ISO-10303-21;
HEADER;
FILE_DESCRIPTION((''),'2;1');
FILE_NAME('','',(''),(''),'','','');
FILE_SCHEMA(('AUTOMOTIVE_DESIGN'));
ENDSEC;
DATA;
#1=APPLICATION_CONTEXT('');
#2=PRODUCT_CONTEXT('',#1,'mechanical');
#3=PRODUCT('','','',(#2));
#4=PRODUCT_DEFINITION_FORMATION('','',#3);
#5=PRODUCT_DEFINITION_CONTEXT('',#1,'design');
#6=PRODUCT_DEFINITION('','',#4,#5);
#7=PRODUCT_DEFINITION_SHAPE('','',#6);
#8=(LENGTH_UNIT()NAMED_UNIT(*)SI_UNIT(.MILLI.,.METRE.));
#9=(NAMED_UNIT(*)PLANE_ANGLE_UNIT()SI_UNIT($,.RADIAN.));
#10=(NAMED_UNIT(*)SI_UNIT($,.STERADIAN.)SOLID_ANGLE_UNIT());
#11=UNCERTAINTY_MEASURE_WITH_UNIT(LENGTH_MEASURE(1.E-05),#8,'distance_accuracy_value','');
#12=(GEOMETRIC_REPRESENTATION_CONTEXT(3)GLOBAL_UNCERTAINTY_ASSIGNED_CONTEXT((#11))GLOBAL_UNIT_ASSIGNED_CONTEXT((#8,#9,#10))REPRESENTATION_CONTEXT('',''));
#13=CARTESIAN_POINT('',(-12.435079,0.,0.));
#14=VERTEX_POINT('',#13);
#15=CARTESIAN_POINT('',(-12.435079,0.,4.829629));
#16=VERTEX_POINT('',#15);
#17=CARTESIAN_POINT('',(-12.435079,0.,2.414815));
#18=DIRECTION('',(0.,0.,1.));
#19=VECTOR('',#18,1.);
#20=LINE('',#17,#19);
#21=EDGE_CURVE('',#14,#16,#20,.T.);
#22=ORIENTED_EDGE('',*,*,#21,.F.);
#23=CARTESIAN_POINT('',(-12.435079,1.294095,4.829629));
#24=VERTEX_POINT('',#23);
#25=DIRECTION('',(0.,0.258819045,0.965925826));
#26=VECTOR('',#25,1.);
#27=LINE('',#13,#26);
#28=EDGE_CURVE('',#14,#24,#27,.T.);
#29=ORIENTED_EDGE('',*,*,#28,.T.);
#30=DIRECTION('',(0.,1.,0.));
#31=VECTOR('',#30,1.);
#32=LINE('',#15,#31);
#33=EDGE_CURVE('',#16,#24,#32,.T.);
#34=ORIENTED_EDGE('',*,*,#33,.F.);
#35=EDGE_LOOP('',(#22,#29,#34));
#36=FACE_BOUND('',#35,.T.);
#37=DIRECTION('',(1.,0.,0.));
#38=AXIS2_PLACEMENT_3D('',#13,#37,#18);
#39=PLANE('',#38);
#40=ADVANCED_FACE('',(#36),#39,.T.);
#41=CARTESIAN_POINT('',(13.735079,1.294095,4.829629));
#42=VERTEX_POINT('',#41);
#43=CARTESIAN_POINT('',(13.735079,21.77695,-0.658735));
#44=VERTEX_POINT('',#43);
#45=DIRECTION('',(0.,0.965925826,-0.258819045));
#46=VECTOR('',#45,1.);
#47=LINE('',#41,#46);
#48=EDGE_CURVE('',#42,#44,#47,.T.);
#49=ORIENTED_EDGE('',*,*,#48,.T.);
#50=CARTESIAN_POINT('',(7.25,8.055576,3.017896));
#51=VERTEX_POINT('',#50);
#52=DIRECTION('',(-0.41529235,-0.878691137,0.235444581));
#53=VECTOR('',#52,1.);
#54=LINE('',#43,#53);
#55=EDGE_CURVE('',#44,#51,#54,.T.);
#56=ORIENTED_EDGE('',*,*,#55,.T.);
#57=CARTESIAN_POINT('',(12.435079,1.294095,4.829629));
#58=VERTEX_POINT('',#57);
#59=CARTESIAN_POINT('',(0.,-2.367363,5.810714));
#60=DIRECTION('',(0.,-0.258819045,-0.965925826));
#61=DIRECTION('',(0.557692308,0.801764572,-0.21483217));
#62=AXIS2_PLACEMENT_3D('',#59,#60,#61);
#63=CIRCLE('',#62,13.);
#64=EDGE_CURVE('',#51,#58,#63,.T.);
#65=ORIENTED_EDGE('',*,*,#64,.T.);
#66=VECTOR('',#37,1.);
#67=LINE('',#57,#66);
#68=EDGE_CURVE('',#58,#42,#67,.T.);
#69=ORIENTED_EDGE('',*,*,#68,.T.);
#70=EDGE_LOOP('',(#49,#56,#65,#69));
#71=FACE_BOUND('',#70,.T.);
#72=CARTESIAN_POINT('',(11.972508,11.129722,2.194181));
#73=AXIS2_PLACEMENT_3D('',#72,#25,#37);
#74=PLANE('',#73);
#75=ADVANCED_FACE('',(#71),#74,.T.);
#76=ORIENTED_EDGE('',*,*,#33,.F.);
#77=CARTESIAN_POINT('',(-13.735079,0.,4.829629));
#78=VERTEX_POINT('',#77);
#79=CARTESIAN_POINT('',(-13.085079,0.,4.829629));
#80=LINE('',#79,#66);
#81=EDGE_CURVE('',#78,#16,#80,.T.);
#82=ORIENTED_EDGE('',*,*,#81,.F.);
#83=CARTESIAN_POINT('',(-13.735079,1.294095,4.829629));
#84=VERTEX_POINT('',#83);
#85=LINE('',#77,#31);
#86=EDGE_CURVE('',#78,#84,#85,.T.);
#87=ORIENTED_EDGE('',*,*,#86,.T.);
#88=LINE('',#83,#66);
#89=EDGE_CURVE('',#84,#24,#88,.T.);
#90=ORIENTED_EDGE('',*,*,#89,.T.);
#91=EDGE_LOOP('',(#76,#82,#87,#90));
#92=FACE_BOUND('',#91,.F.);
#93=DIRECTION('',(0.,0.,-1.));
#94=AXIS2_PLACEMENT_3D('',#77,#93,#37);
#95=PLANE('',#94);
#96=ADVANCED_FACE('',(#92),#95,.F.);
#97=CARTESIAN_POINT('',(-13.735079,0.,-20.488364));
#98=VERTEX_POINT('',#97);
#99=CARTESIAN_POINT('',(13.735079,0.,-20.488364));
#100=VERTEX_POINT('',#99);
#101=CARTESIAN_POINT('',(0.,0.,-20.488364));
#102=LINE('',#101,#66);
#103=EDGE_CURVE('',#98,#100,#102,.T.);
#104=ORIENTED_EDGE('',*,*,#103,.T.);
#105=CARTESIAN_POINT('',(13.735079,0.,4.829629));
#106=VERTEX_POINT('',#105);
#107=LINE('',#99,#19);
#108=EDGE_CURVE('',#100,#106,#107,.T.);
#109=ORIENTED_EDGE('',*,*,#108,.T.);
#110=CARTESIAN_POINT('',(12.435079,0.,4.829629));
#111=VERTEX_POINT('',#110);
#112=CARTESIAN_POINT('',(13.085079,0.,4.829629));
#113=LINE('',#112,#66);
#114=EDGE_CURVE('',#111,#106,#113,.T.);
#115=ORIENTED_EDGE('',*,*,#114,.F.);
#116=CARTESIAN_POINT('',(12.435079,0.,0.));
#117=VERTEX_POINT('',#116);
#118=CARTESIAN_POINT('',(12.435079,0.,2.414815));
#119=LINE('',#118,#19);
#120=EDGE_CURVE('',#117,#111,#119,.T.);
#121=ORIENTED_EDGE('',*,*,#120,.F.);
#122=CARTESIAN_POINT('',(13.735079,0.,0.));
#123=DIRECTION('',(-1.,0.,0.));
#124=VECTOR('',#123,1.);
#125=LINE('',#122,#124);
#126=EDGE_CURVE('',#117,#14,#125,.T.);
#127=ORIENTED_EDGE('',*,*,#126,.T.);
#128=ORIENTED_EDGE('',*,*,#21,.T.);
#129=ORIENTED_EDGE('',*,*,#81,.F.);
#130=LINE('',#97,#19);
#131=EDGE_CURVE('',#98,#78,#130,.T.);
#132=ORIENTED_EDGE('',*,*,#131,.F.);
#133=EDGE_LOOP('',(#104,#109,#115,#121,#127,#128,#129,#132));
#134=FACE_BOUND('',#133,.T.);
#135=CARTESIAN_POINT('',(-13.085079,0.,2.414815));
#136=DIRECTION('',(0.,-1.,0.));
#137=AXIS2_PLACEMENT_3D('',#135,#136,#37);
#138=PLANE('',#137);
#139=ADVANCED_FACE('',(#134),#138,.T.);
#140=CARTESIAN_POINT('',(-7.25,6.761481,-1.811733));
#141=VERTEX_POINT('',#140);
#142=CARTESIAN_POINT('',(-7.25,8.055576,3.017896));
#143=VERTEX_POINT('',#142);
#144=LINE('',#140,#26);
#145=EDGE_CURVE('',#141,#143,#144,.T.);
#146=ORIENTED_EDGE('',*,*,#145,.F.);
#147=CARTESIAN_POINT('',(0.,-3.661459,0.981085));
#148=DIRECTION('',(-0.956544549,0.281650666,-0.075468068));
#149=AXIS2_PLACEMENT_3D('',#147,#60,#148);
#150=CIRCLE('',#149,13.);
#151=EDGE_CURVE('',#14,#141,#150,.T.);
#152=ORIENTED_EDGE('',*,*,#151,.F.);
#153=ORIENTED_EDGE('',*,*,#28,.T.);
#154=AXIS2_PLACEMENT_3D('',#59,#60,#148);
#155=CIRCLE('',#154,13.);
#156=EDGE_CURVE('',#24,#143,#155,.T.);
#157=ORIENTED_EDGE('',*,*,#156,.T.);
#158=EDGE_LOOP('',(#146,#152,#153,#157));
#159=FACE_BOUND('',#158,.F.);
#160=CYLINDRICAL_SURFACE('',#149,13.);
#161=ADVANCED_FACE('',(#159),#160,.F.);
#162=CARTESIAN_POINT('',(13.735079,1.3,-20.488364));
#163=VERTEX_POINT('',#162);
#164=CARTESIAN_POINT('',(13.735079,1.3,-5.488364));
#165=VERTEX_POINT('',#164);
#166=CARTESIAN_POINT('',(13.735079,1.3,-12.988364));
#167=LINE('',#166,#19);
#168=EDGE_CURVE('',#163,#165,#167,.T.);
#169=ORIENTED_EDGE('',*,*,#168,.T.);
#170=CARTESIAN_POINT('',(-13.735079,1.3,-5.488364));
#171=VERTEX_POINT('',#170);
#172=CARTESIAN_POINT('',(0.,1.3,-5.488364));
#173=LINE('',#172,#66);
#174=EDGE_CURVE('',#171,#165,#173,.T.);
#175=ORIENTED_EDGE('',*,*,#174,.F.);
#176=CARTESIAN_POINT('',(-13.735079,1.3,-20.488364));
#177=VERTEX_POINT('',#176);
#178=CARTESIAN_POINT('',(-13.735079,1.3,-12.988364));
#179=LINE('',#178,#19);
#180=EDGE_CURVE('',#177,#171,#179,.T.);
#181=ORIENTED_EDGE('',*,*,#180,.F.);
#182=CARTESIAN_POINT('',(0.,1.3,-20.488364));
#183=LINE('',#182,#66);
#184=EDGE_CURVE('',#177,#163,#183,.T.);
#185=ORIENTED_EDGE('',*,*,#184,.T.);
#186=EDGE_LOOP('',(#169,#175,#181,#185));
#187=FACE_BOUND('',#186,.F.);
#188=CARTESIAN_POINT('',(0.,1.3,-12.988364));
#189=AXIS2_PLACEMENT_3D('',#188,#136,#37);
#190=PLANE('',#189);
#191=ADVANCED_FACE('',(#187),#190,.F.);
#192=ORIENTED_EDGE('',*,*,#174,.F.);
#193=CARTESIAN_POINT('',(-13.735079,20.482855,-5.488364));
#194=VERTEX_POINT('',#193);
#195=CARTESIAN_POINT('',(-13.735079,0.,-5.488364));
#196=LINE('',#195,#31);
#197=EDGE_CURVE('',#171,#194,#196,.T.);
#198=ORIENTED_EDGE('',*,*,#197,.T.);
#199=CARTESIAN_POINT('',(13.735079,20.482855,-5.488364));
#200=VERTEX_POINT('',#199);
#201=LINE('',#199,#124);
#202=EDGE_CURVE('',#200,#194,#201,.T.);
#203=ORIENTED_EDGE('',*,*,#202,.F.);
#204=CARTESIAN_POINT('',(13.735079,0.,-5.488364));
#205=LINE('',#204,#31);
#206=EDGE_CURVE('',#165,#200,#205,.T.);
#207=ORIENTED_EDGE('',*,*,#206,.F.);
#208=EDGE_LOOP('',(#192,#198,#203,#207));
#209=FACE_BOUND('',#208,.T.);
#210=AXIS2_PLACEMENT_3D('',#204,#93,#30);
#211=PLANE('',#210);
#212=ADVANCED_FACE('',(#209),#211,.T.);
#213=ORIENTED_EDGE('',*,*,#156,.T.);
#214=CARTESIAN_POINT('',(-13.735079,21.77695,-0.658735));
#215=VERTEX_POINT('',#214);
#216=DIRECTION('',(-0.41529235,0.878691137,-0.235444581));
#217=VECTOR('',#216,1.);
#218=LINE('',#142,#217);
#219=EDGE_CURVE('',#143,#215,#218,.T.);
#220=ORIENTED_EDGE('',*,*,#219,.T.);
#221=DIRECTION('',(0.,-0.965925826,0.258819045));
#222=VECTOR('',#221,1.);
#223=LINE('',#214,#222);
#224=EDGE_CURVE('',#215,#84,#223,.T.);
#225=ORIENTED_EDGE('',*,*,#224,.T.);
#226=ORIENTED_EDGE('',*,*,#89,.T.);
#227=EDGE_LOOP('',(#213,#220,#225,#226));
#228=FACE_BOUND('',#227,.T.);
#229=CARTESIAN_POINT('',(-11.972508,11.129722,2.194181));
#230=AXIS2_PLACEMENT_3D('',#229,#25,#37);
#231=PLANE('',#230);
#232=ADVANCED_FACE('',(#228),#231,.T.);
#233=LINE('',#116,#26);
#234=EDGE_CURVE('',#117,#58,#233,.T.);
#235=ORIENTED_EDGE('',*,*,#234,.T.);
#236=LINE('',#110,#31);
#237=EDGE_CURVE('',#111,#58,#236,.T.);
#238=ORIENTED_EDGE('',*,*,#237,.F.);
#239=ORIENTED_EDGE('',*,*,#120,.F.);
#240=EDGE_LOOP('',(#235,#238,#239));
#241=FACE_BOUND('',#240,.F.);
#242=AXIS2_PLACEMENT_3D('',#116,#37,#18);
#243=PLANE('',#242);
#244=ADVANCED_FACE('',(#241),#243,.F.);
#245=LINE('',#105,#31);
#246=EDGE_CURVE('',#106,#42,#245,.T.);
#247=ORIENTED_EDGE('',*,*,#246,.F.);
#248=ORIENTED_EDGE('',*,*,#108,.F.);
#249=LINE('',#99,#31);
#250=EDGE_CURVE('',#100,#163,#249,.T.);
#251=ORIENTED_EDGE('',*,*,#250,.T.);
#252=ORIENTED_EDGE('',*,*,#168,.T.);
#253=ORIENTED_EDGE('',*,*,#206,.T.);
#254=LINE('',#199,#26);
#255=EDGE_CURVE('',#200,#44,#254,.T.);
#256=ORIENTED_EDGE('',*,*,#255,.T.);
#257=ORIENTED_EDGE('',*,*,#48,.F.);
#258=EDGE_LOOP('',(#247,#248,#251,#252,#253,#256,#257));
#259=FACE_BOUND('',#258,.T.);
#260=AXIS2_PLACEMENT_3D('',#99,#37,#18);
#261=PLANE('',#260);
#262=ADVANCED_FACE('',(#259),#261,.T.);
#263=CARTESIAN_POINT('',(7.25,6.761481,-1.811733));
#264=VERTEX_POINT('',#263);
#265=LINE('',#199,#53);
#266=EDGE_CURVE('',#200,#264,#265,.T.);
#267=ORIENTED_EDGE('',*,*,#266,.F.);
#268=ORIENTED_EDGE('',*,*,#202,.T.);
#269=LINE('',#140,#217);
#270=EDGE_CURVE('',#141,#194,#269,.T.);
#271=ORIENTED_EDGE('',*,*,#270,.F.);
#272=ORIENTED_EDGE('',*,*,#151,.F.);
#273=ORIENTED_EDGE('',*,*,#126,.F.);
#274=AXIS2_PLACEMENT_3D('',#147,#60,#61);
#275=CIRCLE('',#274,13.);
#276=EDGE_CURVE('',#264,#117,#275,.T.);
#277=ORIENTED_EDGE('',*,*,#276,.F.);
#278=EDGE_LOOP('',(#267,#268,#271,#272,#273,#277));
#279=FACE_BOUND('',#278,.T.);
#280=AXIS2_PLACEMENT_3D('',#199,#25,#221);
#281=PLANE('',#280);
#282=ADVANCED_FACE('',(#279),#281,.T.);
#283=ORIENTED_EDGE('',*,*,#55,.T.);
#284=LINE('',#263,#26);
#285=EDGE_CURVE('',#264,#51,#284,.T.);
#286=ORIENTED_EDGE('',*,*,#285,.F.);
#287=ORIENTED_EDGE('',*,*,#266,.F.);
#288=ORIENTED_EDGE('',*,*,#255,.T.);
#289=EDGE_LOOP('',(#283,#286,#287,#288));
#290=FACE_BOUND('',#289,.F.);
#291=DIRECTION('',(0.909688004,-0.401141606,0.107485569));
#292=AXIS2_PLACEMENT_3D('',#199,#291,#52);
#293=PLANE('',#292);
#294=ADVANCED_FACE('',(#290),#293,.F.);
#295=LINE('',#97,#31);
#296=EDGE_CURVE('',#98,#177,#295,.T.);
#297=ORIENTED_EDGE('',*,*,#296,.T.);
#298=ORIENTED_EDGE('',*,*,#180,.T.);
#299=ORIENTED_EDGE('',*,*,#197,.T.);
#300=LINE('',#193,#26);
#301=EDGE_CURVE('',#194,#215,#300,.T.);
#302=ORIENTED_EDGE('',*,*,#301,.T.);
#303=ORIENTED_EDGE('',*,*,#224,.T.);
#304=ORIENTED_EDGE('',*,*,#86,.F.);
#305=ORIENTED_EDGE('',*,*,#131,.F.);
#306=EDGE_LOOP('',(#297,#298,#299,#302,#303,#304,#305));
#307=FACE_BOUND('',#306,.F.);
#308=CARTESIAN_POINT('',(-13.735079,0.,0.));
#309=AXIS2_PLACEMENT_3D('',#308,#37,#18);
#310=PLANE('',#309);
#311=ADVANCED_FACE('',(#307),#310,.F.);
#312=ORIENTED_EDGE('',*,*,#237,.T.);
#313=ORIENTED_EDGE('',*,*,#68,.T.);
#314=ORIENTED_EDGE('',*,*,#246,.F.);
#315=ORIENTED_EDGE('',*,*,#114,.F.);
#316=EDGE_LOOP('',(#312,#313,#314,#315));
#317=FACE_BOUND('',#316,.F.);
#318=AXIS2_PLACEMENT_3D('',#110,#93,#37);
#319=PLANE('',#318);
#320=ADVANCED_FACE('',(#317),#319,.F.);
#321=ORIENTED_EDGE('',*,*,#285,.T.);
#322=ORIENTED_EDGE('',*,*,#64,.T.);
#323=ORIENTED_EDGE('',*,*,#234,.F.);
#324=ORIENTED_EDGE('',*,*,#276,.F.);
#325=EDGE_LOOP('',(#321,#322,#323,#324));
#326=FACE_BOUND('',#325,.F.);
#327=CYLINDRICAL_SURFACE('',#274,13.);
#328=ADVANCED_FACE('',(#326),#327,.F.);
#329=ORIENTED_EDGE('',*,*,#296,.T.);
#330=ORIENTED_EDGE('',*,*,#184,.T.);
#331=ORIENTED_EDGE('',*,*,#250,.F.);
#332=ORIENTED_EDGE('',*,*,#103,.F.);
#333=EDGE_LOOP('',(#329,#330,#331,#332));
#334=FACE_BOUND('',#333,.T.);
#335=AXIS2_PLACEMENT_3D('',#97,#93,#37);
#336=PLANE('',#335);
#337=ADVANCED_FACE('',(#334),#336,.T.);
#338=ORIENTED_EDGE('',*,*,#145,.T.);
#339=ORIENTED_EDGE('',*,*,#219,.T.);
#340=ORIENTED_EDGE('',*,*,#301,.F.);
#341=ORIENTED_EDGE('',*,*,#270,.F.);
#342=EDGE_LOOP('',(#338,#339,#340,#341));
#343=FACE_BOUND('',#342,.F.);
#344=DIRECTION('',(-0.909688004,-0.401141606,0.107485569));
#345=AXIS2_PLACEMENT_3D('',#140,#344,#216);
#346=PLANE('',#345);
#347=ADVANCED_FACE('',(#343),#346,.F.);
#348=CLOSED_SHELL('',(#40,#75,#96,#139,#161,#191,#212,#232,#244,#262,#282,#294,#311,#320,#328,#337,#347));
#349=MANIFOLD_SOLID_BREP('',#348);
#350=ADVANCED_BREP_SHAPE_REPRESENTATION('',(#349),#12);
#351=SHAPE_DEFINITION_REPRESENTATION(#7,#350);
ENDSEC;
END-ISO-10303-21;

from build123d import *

# Parameters (mm, degrees)
F1_DEPTH = 5
F2_ANGLE = -15
F4_DEPTH = 27.4701582612
F5_W     = 27.4701582612
F5_H     = 15
F6_DEPTH = 1.3
F7_W     = 1.3
F7_H     = 4.8296291314


with BuildPart() as f1:
    # F0 (on Top) → F1 (new body)
    with BuildSketch(Plane.XY):
        with BuildLine():
            ThreePointArc((-12.4350791306, 0), (-10.4463192127, 3.9472350356), (-7.25, 7))
            Line((-7.25, 7), (-13.7350791306, 21.2054114289))
            Line((-13.7350791306, 21.2054114289), (-13.7350791306, 0))
            Line((-13.7350791306, 0), (-12.4350791306, 0))
        make_face()
    extrude(amount=F1_DEPTH)


with BuildPart() as f1b:
    # F0 (on Top) → F1, piece 2 (new body)
    with BuildSketch(Plane.XY):
        with BuildLine():
            Line((13.7350791306, 0), (13.7350791306, 21.2054114289))
            Line((13.7350791306, 21.2054114289), (7.25, 7))
            ThreePointArc((7.25, 7), (10.4463192127, 3.9472350356), (12.4350791306, 0))
            Line((12.4350791306, 0), (13.7350791306, 0))
        make_face()
    extrude(amount=F1_DEPTH)


with BuildPart() as f1_1:
    # F2: moved
    add(f1.part.rotate(Axis((0.65, 0, 0), (1, 0, 0)), F2_ANGLE))



with BuildPart() as f1b_1:
    # F2: moved
    add(f1b.part.rotate(Axis((0.65, 0, 0), (1, 0, 0)), F2_ANGLE))


with BuildPart() as f1_2:
    add(f1_1.part)

    add(f1b_1.part)  # F4 merges F1b
    # F3 (on face) → F4 (join, through all)
    with BuildSketch(Plane.YZ.offset(13.7350791306)):
        Polygon((20.4828545563, -5.488364337), (0, 0), (0, -5.488364337), align=None)
    extrude(amount=-F4_DEPTH)

    # F5 (on face) → F6 (join)
    with BuildSketch(Plane.XZ):
        with Locations((0, -12.988364337)):
            Rectangle(F5_W, F5_H)
    extrude(amount=-F6_DEPTH)

    # F7 (on face) → F8 (join, up to the next surface of F1)
    with BuildSketch(Plane.XZ):
        with Locations((-13.0850791306, 2.4148145657)):
            Rectangle(F7_W, F7_H)
        with Locations((13.0850791306, 2.4148145657)):
            Rectangle(F7_W, F7_H)
    extrude(until=Until.NEXT, dir=(0, 1, 0))


solid = f1_2.part
